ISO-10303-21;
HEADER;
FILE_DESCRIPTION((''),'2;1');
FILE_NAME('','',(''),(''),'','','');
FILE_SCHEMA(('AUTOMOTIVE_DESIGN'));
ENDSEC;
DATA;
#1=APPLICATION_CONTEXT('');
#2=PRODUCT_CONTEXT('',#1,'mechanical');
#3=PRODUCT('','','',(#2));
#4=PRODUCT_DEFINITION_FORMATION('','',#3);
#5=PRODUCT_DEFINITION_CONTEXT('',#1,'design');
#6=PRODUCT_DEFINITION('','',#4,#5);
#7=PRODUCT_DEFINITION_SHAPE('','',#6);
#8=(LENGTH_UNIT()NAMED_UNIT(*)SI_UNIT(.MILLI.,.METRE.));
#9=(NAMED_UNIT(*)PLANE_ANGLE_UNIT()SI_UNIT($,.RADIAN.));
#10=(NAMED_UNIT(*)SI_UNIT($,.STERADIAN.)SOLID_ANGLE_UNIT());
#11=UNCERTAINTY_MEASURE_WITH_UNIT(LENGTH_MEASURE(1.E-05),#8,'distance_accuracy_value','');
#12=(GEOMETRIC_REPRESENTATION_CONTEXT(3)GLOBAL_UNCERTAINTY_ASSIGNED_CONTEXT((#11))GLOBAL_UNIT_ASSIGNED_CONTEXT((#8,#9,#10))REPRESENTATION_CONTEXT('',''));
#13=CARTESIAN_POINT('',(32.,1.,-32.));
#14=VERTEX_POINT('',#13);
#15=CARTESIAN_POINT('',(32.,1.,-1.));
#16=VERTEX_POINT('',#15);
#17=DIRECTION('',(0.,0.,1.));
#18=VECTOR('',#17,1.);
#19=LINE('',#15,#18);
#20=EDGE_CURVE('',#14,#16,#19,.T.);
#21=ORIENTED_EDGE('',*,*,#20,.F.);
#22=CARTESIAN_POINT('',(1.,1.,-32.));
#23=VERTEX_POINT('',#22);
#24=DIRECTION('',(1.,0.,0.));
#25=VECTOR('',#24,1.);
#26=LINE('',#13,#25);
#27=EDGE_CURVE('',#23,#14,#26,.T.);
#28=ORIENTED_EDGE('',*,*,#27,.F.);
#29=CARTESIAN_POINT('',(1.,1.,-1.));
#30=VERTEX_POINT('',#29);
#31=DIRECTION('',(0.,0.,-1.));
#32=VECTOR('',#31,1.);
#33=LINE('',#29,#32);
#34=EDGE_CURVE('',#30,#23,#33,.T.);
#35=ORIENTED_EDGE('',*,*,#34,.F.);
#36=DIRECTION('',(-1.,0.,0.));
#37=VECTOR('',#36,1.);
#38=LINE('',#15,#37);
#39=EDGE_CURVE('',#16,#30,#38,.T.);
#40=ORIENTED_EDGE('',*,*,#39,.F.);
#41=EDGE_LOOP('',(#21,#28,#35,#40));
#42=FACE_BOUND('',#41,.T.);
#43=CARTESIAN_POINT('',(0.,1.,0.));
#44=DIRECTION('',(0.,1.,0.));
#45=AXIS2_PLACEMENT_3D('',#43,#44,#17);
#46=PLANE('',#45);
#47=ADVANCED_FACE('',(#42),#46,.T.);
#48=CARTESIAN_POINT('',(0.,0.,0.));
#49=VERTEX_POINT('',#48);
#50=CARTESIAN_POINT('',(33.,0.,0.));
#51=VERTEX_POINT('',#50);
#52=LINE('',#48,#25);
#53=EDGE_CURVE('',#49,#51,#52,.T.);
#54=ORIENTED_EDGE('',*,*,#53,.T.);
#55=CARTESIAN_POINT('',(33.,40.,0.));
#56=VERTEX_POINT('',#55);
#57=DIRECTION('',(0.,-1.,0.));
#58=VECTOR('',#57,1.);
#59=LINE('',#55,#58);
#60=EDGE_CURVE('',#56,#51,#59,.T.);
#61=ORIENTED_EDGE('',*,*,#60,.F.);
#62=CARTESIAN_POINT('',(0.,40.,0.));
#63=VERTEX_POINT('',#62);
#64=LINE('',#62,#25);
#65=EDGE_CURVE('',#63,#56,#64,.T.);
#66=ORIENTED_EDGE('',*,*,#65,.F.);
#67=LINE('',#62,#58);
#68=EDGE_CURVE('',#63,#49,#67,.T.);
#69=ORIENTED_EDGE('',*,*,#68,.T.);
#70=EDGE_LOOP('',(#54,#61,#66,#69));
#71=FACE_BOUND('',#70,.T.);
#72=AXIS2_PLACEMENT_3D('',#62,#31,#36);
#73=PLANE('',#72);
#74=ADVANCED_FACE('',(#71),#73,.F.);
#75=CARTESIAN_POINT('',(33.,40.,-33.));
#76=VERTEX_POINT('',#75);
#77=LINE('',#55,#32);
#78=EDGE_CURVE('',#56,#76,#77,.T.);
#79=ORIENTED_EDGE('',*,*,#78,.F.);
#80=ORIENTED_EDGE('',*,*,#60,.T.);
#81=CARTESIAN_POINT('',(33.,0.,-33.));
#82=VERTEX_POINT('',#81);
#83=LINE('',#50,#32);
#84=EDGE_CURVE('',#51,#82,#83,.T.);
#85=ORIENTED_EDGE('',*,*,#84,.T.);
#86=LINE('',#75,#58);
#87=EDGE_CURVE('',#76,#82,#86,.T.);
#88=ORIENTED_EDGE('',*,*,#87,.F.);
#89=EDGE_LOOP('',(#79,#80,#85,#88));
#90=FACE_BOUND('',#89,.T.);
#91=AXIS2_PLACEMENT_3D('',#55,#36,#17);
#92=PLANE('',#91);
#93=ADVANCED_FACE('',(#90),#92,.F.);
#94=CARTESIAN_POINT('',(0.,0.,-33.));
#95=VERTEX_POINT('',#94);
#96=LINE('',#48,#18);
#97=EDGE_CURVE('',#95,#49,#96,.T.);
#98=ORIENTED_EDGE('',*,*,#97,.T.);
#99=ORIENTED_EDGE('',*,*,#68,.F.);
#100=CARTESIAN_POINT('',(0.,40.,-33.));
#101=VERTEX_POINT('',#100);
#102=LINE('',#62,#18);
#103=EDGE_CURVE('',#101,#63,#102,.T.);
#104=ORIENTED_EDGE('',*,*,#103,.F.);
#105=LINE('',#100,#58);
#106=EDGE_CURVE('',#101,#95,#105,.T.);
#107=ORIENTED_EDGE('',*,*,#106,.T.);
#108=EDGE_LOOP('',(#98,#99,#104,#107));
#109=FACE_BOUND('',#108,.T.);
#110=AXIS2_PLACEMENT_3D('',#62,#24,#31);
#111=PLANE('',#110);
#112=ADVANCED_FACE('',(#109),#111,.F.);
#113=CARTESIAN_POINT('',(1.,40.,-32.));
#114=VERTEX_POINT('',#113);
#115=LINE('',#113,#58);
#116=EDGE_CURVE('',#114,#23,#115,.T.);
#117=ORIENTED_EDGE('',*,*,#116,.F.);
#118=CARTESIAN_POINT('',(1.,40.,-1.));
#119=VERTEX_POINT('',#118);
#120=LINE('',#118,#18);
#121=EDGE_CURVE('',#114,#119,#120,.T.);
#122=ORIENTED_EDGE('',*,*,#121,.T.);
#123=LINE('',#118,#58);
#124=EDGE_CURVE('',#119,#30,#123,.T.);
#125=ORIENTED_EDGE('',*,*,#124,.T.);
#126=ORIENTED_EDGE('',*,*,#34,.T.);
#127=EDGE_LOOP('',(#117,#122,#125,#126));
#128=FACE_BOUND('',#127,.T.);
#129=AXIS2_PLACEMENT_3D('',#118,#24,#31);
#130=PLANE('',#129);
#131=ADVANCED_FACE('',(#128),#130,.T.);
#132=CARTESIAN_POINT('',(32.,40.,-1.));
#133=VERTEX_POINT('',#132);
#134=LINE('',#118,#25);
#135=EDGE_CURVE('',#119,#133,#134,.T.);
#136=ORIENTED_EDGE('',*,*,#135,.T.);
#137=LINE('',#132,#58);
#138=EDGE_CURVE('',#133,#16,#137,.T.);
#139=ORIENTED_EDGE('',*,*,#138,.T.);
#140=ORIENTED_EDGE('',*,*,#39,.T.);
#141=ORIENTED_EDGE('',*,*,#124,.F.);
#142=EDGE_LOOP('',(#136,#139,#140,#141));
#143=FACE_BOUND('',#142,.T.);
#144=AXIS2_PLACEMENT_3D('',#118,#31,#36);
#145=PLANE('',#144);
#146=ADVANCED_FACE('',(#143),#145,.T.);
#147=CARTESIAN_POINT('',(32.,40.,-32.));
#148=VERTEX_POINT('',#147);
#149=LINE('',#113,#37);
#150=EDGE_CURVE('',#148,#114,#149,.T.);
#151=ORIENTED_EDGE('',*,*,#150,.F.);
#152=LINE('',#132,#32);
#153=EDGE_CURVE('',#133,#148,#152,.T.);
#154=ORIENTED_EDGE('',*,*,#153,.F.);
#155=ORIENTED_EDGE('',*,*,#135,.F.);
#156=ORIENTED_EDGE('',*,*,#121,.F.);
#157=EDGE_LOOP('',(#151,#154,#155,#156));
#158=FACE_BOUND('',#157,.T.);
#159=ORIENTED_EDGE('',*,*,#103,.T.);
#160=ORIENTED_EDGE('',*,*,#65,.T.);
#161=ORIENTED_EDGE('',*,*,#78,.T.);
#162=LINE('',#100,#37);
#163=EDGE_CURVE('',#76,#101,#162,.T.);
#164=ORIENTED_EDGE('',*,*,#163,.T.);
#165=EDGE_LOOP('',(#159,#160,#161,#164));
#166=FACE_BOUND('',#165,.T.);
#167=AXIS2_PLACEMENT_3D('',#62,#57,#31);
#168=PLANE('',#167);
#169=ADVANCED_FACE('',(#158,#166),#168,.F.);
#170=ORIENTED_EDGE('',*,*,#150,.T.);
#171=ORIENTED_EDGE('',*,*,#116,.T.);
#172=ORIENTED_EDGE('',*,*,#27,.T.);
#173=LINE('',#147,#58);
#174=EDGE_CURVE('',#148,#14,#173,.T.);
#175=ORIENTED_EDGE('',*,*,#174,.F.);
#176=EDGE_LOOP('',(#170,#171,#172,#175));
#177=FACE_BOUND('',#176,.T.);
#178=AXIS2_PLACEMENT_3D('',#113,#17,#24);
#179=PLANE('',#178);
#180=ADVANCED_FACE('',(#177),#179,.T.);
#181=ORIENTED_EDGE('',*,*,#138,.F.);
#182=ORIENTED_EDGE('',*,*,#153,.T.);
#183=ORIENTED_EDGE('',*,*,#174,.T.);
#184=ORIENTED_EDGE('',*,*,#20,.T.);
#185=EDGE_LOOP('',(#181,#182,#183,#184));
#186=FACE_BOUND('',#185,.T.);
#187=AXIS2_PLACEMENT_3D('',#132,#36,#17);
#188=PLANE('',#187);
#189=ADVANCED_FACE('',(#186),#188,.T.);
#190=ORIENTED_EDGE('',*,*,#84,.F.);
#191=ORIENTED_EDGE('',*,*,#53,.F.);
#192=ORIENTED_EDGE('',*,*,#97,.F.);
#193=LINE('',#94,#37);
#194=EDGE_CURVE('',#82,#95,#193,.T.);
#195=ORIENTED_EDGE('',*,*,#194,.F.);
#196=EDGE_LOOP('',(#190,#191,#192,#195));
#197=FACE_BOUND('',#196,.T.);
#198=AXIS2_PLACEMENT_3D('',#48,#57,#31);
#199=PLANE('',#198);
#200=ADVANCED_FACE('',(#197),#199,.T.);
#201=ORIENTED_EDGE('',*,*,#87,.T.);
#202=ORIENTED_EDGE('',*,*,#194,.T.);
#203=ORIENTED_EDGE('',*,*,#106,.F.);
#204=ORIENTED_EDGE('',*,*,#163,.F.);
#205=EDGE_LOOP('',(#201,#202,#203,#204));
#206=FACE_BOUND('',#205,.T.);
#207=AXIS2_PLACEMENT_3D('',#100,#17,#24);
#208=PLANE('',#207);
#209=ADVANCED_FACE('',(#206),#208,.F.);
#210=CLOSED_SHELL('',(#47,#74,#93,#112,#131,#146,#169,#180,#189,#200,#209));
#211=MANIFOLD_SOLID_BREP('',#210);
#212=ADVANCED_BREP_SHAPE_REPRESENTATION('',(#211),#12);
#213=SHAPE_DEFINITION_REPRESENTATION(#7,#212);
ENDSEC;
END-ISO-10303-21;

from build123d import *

# Parameters (mm, degrees)
SKETCH1_W           = 33
SKETCH1_H           = 33
SKETCH1_W_2         = 31
SKETCH1_H_2         = 31
BOSS_EXTRUDE2_DEPTH = 40
SKETCH2_W           = 31
SKETCH2_H           = 31
BOSS_EXTRUDE3_DEPTH = 1


with BuildPart() as part:
    # Sketch1 → Boss-Extrude2 (new body)
    with BuildSketch(Plane(origin=(0, 0, 0), x_dir=(1, 0, 0), z_dir=(0, 1, 0))):
        with Locations((16.5, 16.5)):
            Rectangle(SKETCH1_W, SKETCH1_H)
        with Locations((16.5, 16.5)):
            Rectangle(SKETCH1_W_2, SKETCH1_H_2, mode=Mode.SUBTRACT)
    extrude(amount=BOSS_EXTRUDE2_DEPTH)

    # Sketch2 → Boss-Extrude3 (add)
    with BuildSketch(Plane.XZ):
        with Locations((16.5, -16.5)):
            Rectangle(SKETCH2_W, SKETCH2_H)
    extrude(amount=-BOSS_EXTRUDE3_DEPTH)


solid = part.part
